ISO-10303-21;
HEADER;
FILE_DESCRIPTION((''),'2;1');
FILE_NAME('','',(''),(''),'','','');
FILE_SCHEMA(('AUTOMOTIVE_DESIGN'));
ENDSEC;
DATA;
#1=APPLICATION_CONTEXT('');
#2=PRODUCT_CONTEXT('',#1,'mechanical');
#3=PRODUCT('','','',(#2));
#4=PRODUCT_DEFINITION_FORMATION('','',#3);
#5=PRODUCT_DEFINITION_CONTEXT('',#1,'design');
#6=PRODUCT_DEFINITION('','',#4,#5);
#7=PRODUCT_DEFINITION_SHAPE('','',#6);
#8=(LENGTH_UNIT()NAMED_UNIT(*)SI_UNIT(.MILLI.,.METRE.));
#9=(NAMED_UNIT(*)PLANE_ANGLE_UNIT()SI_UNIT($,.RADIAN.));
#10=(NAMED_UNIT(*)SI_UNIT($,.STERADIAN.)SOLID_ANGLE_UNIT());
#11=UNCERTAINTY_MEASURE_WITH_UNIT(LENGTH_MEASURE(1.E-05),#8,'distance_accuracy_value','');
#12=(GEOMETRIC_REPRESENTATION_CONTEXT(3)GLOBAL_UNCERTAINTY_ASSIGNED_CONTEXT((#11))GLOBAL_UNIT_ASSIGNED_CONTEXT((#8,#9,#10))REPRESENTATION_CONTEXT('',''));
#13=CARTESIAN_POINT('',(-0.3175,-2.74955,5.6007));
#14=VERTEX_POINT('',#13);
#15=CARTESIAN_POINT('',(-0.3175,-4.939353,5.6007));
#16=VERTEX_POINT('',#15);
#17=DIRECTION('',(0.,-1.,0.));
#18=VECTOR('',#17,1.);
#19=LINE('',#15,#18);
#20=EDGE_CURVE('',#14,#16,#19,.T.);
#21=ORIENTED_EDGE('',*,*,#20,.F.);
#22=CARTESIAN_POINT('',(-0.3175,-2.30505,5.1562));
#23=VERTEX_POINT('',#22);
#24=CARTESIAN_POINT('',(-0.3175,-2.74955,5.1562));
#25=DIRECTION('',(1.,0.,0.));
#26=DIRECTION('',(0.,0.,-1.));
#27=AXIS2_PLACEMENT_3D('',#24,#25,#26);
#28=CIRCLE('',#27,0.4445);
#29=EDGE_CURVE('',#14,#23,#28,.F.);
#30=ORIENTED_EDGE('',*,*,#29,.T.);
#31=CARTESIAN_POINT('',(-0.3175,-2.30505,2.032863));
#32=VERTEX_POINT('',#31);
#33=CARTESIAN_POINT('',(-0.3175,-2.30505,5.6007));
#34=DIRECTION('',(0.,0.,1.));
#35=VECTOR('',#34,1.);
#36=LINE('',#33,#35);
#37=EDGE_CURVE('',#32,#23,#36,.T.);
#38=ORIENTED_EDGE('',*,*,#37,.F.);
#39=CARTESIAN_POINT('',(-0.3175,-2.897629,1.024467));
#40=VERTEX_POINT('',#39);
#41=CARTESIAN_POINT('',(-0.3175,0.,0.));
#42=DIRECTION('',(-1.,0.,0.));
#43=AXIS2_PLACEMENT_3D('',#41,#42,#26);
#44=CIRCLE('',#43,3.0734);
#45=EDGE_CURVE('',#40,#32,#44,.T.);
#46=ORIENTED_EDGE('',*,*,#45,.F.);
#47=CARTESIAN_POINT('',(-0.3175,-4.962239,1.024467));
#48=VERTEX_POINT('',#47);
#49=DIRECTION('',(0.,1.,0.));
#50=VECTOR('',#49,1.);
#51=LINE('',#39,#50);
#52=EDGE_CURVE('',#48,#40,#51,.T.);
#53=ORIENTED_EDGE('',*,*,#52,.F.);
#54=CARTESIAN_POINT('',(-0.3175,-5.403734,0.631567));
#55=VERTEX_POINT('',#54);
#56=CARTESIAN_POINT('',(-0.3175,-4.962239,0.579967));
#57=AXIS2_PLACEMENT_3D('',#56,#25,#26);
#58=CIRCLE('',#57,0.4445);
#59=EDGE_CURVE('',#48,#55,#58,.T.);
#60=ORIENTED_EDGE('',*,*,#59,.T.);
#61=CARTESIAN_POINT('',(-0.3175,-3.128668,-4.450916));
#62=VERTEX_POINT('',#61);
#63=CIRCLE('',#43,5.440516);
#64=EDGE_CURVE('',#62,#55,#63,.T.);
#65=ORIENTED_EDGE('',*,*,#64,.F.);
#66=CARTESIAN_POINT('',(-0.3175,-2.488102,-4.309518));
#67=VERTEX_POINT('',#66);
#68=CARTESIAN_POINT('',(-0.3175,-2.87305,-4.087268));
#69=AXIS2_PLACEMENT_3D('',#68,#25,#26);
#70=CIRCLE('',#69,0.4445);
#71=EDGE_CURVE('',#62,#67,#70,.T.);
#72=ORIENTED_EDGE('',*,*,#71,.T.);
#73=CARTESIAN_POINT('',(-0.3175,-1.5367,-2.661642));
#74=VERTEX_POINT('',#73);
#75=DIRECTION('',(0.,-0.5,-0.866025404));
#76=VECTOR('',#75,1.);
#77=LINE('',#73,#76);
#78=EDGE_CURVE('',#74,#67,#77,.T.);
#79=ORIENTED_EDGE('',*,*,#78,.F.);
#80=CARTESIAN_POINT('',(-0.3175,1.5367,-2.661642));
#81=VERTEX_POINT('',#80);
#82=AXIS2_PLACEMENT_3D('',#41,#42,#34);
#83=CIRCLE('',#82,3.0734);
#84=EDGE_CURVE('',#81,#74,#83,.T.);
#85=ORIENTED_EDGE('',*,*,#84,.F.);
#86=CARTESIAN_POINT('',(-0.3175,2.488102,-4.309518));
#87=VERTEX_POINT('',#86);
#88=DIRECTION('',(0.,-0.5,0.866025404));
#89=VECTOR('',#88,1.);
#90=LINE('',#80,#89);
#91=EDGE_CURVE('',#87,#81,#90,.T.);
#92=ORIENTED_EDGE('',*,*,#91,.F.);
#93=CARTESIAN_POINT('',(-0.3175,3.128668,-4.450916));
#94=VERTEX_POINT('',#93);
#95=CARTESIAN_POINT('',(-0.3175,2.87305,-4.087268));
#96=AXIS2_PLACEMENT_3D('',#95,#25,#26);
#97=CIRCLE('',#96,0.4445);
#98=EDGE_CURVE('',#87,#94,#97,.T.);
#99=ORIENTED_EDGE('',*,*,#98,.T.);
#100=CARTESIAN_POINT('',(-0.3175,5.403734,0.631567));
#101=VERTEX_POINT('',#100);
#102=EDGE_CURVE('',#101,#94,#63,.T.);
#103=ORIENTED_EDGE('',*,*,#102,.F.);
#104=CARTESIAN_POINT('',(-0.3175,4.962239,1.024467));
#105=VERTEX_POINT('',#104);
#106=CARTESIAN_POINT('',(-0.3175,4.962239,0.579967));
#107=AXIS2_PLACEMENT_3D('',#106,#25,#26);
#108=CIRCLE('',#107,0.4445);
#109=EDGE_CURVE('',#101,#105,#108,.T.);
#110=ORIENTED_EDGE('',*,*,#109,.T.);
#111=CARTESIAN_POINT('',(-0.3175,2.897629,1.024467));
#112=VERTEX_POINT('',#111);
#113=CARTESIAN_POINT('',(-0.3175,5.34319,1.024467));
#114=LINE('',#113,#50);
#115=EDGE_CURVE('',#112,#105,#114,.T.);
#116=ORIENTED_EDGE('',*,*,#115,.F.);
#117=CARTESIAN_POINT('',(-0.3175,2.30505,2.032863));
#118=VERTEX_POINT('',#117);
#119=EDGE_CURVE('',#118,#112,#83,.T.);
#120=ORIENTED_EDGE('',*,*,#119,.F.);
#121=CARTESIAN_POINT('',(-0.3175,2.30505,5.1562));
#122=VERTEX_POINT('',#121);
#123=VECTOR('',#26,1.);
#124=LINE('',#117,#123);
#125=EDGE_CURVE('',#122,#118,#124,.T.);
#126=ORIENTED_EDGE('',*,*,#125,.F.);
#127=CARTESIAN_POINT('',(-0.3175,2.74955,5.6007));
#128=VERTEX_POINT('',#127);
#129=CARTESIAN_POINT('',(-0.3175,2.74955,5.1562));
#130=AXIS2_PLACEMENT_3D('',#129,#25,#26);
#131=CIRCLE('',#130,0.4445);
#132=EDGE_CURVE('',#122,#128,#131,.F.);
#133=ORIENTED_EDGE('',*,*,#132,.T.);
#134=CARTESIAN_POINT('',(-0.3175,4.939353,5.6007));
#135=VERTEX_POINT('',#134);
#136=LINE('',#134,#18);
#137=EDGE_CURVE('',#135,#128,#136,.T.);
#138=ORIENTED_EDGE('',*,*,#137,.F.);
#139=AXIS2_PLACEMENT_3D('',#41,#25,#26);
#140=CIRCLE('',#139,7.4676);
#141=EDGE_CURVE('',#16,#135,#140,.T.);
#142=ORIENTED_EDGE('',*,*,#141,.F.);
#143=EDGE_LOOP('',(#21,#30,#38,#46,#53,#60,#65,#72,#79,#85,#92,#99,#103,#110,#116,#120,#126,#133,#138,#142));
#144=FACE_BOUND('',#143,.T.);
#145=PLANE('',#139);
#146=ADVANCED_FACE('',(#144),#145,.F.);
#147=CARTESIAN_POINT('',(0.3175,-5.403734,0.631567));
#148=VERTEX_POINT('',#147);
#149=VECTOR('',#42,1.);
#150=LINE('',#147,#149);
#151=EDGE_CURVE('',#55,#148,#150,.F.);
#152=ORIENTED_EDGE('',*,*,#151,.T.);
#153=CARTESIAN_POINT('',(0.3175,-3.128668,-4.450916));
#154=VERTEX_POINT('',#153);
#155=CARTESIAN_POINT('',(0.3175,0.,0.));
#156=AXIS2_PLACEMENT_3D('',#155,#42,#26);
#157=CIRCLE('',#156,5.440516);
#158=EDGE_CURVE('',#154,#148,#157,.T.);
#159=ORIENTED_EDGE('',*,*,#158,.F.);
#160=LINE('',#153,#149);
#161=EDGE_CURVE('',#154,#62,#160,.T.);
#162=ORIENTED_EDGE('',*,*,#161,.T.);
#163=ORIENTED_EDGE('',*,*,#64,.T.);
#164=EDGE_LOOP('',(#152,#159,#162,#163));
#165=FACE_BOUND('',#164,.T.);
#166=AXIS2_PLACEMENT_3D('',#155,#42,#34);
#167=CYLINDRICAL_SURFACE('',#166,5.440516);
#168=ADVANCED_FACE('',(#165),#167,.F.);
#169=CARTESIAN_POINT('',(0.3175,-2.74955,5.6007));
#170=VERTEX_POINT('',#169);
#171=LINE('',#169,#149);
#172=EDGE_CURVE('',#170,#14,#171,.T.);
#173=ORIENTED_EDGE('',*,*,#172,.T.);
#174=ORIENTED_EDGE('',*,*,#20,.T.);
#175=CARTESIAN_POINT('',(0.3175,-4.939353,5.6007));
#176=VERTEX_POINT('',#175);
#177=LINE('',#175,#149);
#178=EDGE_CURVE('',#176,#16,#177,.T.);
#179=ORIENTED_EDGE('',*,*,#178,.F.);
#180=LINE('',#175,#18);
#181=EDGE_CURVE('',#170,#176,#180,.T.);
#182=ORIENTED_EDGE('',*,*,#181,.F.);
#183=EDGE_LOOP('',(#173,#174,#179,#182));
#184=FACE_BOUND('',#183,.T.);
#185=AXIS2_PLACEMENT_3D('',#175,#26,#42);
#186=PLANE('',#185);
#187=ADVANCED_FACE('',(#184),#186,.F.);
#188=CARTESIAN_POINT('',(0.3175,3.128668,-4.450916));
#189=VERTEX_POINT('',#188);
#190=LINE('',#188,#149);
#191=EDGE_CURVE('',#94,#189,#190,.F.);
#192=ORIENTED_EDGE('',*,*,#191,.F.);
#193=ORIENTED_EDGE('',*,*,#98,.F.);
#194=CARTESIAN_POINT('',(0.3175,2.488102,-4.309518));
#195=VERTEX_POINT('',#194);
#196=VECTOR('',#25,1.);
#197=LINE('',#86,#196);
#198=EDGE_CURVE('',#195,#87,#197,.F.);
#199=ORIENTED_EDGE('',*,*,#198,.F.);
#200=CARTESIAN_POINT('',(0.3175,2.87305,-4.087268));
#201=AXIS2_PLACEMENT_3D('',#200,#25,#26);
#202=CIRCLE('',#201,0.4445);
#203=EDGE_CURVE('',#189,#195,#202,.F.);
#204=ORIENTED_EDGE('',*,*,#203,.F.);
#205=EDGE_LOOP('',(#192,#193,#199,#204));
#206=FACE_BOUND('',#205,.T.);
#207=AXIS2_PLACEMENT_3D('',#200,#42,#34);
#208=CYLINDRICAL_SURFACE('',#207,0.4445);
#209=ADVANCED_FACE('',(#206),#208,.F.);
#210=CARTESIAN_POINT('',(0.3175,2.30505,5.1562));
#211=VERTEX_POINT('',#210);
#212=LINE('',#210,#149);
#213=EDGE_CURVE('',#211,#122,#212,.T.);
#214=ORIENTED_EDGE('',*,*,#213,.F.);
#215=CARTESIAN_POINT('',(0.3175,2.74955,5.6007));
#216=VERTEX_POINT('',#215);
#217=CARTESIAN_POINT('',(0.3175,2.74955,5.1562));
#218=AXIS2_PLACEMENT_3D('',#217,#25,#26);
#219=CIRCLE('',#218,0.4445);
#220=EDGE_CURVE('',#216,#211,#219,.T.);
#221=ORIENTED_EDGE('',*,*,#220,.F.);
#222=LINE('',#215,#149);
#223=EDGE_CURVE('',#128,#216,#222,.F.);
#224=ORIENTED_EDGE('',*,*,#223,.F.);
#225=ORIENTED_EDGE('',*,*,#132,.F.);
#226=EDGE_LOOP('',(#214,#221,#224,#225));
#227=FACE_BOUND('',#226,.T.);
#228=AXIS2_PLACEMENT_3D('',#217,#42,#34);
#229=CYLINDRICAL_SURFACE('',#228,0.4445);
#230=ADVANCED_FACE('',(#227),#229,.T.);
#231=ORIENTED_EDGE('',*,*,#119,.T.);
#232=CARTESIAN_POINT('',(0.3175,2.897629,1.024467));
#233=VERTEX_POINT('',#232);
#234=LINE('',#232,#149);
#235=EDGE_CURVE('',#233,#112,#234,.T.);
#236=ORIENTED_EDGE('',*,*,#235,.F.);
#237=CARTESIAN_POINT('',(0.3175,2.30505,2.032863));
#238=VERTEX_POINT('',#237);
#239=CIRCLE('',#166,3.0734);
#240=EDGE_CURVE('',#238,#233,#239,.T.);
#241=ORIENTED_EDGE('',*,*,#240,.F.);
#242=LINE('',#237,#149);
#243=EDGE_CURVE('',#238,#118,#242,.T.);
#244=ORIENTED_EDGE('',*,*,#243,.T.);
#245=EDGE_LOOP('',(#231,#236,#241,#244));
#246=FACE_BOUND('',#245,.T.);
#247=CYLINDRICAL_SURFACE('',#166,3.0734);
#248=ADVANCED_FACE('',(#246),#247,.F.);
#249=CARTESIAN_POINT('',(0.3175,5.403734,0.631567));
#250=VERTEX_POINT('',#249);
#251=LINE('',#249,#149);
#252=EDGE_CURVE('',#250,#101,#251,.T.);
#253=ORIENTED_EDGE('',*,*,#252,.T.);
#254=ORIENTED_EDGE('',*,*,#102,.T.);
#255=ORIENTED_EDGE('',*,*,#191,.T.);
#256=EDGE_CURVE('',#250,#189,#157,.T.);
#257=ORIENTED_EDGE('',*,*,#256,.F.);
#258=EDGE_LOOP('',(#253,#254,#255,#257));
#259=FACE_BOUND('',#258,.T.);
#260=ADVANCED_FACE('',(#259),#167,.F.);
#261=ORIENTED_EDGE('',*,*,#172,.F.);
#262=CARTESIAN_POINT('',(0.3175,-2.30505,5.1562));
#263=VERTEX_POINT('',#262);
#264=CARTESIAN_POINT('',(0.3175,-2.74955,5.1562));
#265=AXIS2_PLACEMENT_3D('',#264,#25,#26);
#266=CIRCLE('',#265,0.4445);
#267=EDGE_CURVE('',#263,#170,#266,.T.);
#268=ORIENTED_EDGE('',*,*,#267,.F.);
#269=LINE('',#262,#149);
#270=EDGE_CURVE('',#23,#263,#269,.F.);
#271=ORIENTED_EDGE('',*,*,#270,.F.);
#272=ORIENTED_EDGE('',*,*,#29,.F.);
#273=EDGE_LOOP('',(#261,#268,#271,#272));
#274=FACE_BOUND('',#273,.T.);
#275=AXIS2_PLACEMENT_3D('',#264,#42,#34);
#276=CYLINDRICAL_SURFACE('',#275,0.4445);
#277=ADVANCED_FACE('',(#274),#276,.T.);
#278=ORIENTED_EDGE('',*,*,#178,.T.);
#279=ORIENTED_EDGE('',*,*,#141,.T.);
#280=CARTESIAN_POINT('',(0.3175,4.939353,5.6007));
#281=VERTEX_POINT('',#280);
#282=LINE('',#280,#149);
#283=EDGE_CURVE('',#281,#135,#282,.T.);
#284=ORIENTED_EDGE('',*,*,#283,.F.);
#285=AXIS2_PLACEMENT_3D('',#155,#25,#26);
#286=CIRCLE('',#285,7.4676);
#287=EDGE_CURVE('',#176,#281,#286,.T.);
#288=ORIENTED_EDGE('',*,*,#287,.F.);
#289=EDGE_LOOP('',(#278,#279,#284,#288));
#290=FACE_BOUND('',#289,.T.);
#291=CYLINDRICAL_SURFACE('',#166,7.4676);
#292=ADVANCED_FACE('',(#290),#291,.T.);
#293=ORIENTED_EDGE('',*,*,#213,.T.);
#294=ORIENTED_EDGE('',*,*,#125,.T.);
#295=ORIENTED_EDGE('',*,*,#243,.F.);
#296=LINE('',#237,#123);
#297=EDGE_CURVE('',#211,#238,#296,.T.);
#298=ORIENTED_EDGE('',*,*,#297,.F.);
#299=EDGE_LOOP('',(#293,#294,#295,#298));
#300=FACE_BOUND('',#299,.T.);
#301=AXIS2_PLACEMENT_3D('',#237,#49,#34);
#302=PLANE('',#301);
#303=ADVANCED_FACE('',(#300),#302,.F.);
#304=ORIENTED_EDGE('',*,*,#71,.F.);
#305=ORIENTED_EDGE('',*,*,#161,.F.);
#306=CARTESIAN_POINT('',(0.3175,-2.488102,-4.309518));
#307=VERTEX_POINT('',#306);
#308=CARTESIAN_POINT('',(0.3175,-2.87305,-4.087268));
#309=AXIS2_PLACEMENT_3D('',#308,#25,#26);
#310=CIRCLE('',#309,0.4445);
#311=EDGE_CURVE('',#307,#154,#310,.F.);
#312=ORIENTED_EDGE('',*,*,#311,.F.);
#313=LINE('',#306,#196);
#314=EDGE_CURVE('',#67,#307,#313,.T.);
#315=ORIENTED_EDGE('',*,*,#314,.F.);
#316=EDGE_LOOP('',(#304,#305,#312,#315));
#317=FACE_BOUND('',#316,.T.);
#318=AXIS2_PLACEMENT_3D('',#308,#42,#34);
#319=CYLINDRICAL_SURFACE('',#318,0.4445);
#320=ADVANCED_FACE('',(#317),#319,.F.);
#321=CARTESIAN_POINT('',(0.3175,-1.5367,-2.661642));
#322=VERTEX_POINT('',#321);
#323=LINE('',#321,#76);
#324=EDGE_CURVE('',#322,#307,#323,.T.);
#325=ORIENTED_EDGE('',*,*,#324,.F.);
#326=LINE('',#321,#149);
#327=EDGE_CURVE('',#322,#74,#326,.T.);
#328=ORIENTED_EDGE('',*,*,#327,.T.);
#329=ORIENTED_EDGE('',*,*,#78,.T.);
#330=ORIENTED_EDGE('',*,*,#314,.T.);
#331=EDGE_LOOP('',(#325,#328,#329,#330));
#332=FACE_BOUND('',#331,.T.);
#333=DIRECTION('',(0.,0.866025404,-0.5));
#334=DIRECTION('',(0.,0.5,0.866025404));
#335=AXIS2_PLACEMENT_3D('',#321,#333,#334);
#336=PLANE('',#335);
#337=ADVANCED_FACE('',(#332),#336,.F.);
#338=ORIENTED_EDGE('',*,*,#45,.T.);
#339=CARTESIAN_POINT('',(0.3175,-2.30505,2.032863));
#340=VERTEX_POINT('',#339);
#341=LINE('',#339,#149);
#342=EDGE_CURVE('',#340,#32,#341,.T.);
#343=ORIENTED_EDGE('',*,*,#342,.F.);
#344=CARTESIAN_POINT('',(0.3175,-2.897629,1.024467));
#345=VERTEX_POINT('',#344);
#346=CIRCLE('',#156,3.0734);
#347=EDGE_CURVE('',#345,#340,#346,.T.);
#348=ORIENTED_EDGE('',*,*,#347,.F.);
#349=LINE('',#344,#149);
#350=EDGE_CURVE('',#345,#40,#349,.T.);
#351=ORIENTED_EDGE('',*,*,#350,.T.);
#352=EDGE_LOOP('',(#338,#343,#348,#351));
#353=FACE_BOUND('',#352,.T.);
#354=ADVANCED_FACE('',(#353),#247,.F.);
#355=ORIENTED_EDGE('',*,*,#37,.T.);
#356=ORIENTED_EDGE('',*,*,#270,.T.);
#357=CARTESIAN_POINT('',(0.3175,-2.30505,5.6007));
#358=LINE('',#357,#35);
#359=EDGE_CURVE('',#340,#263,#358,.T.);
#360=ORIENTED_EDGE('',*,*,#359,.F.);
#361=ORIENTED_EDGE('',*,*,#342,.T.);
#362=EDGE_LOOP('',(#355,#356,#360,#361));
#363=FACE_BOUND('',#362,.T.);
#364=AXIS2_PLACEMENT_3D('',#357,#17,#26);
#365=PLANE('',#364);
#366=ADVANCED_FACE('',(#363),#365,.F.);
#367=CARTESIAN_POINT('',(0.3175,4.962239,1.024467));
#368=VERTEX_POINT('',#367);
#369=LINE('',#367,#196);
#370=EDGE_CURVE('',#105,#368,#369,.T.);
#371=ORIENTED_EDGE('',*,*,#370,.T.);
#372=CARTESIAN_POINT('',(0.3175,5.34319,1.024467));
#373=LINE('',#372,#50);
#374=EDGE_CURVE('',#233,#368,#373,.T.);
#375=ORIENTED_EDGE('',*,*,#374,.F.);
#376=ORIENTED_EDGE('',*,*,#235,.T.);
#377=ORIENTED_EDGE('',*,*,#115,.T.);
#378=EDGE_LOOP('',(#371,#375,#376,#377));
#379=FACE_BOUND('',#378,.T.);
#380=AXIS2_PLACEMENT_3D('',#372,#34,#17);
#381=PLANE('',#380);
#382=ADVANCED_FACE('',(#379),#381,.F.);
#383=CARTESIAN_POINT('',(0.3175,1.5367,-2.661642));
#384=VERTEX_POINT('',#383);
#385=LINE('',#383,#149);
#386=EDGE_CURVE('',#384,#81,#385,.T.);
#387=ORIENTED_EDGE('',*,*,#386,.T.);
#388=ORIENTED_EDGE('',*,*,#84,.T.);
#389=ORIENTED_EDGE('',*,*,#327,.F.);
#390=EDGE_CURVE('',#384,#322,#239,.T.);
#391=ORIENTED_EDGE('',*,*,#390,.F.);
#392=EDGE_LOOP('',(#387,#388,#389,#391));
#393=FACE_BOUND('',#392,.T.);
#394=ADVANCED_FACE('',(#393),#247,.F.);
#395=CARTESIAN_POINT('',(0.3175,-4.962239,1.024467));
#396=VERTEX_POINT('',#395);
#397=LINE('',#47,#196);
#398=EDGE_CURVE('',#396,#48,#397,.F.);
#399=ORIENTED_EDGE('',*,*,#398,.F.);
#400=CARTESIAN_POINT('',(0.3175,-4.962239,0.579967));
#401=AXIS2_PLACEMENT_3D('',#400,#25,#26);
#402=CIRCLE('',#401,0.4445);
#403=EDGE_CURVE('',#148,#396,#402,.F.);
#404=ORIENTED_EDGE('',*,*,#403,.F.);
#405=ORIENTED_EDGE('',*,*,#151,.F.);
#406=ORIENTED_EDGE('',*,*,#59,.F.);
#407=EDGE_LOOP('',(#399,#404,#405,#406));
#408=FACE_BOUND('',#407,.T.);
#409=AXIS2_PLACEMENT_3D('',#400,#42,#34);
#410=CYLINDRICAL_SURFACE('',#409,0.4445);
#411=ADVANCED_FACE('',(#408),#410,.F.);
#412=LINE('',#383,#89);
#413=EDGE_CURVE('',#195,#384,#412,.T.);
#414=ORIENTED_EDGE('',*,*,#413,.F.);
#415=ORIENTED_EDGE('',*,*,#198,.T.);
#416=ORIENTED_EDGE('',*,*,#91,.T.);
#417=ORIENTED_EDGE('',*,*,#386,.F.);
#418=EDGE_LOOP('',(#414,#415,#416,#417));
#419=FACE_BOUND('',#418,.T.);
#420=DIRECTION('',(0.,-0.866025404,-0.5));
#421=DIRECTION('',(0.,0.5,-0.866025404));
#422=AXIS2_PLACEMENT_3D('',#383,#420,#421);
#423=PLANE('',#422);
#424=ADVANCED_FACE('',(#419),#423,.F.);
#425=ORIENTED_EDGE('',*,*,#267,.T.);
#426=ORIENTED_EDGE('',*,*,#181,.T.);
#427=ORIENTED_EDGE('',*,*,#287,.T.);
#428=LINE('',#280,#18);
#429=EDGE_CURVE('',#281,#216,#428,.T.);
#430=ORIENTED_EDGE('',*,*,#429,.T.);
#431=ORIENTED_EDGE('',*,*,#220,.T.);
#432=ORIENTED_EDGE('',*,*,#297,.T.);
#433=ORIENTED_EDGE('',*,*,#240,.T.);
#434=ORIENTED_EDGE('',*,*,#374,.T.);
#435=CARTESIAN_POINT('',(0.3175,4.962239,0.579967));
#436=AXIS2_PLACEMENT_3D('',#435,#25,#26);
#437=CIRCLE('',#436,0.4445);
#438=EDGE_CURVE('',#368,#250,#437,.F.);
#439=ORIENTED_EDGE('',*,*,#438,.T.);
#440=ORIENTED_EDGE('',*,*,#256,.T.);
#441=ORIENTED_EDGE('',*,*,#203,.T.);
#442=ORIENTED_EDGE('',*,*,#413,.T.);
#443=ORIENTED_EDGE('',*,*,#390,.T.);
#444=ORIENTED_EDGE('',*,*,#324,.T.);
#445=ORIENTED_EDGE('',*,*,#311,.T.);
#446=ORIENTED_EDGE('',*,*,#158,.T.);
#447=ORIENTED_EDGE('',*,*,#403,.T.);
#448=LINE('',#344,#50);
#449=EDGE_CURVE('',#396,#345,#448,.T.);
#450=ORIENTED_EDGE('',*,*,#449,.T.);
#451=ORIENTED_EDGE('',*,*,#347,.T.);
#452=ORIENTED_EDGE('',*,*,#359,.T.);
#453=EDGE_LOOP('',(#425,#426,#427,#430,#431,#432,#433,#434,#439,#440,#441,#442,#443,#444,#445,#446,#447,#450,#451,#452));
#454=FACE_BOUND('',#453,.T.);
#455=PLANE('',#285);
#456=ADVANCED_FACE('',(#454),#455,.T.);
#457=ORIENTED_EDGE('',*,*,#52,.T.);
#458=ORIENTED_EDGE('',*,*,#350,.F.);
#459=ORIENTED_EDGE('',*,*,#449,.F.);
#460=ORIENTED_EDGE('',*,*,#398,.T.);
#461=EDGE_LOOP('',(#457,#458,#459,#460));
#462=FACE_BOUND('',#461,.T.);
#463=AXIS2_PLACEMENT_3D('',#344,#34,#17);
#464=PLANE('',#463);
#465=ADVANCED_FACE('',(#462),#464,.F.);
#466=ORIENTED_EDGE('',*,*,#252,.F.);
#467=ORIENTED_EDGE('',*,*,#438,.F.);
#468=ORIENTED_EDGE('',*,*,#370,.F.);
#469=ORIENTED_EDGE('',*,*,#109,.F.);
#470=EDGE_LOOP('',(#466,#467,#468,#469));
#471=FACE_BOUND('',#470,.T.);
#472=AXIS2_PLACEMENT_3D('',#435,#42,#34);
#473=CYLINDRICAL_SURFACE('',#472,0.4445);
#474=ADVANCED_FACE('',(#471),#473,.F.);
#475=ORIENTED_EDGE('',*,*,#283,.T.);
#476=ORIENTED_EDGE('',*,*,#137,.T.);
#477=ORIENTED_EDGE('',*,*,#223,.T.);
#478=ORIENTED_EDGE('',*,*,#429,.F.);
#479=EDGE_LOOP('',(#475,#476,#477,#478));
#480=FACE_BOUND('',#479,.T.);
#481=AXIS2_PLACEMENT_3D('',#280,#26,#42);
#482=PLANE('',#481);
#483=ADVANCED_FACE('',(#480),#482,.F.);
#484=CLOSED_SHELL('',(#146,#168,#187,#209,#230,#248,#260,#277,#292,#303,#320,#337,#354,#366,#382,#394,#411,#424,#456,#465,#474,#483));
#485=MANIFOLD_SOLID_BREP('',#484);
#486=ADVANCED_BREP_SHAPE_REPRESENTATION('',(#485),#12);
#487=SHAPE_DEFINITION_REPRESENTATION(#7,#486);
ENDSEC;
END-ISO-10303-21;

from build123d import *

# Parameters (mm, degrees)
EXTRUDE1_DEPTH = 0.3175
FILLET1_R      = 0.4445


with BuildPart() as part:
    # Sketch1 → Extrude1 (new body, symmetric)
    with BuildSketch(Plane(origin=(0, 0, 0), x_dir=(0, 0, -1), z_dir=(1, 0, 0))):
        with BuildLine():
            Line((-2.03286302, 2.30505), (-5.6007, 2.30505))
            Line((-5.6007, 2.30505), (-5.6007, 4.939353123))
            ThreePointArc((-5.6007, 4.939353123), (7.4676, 0), (-5.6007, -4.939353123))
            Line((-5.6007, -4.939353123), (-5.6007, -2.30505))
            Line((-5.6007, -2.30505), (-2.03286302, -2.30505))
            ThreePointArc((-2.03286302, -2.30505), (-1.557113921, -2.649751648), (-1.024466667, -2.897629308))
            Line((-1.024466667, -2.897629308), (-1.024466667, -5.343190414))
            ThreePointArc((-1.024466667, -5.343190414), (2.262460607, -4.947776041), (4.711625177, -2.720258065))
            Line((4.711625177, -2.720258065), (2.661642476, -1.5367))
            ThreePointArc((2.661642476, -1.5367), (3.0734, 0), (2.661642476, 1.5367))
            Line((2.661642476, 1.5367), (4.711625177, 2.720258065))
            ThreePointArc((4.711625177, 2.720258065), (2.262460607, 4.947776041), (-1.024466667, 5.343190414))
            Line((-1.024466667, 5.343190414), (-1.024466667, 2.897629308))
            ThreePointArc((-1.024466667, 2.897629308), (-1.557113921, 2.649751648), (-2.03286302, 2.30505))
        make_face()
    extrude(amount=EXTRUDE1_DEPTH, both=True)

    # Fillet1
    fillet1_edges = [part.edges().sort_by_distance(p)[0] for p in [
        (0, -2.30505, 5.6007),
        (0, -5.343190414, 1.024466667),
        (0, -2.720258065, -4.711625177),
        (0, 2.720258065, -4.711625177),
        (0, 5.343190414, 1.024466667),
        (0, 2.30505, 5.6007),
    ]]
    fillet(fillet1_edges, radius=FILLET1_R)


solid = part.part
